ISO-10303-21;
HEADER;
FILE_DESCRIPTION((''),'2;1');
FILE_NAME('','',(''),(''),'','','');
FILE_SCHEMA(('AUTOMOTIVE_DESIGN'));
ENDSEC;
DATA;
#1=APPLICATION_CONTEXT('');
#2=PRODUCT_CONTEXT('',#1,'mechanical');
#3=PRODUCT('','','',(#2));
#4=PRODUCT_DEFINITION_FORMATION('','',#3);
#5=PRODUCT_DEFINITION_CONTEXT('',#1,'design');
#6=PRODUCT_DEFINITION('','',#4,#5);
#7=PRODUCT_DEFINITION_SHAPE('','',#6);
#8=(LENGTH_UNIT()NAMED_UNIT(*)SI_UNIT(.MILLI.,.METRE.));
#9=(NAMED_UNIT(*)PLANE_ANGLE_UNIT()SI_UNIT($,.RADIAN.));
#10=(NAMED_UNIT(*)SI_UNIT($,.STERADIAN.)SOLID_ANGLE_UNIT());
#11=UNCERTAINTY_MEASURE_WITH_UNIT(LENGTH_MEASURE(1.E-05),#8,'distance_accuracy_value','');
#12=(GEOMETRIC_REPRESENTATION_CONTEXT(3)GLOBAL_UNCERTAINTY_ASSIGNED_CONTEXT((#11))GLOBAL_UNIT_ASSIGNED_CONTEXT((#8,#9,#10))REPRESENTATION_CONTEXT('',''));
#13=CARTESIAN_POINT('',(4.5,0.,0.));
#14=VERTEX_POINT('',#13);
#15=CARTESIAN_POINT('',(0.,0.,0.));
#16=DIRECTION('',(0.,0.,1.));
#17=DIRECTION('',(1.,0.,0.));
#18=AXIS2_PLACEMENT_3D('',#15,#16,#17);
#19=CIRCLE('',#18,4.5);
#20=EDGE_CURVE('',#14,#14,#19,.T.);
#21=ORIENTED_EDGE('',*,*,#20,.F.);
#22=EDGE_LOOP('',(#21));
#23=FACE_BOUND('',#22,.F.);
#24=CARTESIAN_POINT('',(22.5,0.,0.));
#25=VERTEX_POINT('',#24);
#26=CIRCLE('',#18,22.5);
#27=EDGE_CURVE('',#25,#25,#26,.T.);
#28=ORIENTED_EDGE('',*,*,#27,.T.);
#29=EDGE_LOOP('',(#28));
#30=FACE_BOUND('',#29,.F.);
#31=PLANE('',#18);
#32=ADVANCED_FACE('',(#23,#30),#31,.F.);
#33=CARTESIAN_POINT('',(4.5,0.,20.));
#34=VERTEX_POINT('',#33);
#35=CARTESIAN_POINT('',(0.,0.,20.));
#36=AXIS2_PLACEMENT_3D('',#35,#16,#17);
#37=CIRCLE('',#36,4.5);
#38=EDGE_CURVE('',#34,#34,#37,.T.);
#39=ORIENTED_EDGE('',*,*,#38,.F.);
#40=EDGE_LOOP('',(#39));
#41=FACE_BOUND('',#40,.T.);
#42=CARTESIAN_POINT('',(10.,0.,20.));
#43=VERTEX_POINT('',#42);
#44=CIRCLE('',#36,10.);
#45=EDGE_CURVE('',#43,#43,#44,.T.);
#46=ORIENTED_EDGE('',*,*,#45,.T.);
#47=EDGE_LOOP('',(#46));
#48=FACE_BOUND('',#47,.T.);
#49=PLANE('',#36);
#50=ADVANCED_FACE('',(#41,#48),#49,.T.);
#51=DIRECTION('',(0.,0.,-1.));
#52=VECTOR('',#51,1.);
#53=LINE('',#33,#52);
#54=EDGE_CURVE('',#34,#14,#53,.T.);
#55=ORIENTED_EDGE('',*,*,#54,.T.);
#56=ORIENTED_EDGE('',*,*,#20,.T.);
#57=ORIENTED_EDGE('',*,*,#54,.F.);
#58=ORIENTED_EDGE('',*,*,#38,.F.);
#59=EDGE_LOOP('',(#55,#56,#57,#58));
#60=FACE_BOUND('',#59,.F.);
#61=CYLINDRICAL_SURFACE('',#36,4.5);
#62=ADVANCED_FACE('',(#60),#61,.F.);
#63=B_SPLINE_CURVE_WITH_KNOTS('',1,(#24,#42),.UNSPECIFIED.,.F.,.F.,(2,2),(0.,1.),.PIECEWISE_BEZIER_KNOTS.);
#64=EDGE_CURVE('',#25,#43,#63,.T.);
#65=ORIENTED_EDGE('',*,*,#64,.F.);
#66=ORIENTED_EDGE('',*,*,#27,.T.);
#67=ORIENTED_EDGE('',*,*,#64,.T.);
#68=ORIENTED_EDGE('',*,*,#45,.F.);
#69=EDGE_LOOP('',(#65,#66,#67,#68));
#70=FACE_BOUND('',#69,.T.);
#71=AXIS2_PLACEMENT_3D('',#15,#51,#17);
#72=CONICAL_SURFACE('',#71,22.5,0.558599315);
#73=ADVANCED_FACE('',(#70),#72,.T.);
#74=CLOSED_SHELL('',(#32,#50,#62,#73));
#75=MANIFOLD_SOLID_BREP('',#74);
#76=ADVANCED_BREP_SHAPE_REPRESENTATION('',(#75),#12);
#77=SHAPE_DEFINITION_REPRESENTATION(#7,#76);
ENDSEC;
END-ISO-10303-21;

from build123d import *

# Parameters (mm, degrees)
F0_R     = 22.5
F2_R     = 10
F4_R     = 4.5
F5_DEPTH = 20.001


with BuildPart() as f3:
    # F0 (on Top) → F3 section 0
    with BuildSketch(Plane.XY):
        Circle(F0_R)
    # F2 (on offset) → F3 section 1
    with BuildSketch(Plane.XY.offset(20)):
        Circle(F2_R)
    loft()

    # F4 (on face) → F5 (cut, through all)
    with BuildSketch(Plane.XY.offset(20)):
        Circle(F4_R)
    extrude(amount=-F5_DEPTH, mode=Mode.SUBTRACT)


solid = f3.part
